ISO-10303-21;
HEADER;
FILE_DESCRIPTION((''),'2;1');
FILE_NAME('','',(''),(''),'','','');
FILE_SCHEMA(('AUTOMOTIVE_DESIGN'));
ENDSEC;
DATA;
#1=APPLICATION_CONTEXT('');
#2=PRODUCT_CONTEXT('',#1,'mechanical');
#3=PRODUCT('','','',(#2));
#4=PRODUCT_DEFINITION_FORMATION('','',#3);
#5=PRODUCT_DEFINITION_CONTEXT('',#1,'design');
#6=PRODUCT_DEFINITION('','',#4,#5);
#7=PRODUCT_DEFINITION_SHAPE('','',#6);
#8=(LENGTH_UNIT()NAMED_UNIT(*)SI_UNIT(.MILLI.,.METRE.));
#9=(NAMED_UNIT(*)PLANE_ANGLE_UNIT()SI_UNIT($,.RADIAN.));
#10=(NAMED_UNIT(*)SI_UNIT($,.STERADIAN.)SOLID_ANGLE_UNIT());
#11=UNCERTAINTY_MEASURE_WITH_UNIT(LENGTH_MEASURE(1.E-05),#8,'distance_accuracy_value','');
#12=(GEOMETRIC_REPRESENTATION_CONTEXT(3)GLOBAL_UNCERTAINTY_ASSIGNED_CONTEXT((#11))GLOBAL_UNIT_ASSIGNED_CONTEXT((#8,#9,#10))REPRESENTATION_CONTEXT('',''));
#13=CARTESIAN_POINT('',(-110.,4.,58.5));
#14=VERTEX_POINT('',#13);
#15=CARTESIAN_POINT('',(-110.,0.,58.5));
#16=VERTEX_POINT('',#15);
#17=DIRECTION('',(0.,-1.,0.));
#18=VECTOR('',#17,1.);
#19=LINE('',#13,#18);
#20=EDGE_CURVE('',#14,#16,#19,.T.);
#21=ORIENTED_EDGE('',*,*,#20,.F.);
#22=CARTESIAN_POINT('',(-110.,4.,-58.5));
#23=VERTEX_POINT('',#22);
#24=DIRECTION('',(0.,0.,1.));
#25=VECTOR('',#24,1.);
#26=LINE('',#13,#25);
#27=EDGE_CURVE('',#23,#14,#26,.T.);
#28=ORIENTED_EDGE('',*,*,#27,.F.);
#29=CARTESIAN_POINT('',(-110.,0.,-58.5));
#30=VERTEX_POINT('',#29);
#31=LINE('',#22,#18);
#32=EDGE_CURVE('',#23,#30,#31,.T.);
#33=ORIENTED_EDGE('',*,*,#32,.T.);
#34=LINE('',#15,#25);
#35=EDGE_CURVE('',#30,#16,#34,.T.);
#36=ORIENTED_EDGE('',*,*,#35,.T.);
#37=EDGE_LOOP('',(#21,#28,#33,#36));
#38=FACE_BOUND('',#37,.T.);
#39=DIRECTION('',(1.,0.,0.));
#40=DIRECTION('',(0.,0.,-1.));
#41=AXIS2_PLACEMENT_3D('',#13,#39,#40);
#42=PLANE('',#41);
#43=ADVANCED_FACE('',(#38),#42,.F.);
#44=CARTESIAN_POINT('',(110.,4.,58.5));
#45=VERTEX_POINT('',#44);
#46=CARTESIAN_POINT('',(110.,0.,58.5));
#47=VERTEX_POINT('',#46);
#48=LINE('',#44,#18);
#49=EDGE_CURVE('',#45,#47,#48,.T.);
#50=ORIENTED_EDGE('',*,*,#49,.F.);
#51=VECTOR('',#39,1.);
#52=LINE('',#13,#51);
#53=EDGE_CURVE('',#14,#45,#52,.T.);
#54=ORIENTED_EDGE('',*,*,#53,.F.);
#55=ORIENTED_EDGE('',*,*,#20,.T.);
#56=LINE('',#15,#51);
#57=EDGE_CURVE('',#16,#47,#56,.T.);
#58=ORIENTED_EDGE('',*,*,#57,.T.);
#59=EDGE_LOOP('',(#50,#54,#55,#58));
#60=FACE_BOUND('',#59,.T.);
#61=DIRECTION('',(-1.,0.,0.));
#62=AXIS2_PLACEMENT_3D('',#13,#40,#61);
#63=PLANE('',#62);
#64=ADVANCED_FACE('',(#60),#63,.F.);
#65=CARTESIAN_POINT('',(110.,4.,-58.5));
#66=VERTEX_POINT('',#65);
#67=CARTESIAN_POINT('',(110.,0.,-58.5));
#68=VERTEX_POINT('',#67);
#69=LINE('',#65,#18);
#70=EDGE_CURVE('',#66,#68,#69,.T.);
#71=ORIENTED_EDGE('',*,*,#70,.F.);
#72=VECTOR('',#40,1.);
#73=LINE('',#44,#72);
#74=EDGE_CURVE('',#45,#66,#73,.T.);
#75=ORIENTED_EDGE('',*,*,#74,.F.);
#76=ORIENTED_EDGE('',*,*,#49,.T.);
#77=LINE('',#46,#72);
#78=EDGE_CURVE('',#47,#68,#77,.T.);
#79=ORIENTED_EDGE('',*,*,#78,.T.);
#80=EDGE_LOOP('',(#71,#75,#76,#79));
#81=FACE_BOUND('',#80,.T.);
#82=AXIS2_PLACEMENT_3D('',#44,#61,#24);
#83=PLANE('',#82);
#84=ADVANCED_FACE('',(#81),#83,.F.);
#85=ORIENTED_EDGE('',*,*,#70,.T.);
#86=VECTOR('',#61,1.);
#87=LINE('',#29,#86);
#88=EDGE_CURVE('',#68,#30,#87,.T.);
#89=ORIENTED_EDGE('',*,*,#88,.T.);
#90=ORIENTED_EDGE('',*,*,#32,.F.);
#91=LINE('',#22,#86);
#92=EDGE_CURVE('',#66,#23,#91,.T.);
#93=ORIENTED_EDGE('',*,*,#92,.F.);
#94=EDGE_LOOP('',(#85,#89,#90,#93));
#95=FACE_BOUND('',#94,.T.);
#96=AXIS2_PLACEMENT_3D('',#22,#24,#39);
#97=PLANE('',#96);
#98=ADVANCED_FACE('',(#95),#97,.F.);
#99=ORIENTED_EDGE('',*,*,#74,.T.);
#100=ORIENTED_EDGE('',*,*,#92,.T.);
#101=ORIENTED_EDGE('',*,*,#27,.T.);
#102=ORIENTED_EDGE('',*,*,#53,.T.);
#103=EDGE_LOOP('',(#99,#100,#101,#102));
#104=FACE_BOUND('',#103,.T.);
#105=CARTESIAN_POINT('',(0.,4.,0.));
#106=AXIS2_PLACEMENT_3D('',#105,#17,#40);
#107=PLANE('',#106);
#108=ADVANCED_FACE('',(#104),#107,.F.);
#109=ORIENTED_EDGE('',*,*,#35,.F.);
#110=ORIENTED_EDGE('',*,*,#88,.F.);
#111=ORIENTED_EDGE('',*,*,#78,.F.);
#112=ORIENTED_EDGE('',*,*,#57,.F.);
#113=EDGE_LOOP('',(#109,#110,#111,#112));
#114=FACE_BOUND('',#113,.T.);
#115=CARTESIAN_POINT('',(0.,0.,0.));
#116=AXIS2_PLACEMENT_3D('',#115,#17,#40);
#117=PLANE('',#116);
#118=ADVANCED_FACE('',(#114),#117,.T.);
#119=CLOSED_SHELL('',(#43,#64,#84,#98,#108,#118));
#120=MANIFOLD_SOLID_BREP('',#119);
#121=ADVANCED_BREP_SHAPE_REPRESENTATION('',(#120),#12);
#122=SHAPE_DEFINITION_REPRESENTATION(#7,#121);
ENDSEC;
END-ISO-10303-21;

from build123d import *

# Parameters (mm, degrees)
SKETCH1_W           = 220
SKETCH1_H           = 117
BOSS_EXTRUDE1_DEPTH = 4


with BuildPart() as part:
    # Sketch1 → Boss-Extrude1 (new body)
    with BuildSketch(Plane(origin=(0, 0, 0), x_dir=(1, 0, 0), z_dir=(0, 1, 0))):
        Rectangle(SKETCH1_W, SKETCH1_H)
    extrude(amount=BOSS_EXTRUDE1_DEPTH)


solid = part.part
